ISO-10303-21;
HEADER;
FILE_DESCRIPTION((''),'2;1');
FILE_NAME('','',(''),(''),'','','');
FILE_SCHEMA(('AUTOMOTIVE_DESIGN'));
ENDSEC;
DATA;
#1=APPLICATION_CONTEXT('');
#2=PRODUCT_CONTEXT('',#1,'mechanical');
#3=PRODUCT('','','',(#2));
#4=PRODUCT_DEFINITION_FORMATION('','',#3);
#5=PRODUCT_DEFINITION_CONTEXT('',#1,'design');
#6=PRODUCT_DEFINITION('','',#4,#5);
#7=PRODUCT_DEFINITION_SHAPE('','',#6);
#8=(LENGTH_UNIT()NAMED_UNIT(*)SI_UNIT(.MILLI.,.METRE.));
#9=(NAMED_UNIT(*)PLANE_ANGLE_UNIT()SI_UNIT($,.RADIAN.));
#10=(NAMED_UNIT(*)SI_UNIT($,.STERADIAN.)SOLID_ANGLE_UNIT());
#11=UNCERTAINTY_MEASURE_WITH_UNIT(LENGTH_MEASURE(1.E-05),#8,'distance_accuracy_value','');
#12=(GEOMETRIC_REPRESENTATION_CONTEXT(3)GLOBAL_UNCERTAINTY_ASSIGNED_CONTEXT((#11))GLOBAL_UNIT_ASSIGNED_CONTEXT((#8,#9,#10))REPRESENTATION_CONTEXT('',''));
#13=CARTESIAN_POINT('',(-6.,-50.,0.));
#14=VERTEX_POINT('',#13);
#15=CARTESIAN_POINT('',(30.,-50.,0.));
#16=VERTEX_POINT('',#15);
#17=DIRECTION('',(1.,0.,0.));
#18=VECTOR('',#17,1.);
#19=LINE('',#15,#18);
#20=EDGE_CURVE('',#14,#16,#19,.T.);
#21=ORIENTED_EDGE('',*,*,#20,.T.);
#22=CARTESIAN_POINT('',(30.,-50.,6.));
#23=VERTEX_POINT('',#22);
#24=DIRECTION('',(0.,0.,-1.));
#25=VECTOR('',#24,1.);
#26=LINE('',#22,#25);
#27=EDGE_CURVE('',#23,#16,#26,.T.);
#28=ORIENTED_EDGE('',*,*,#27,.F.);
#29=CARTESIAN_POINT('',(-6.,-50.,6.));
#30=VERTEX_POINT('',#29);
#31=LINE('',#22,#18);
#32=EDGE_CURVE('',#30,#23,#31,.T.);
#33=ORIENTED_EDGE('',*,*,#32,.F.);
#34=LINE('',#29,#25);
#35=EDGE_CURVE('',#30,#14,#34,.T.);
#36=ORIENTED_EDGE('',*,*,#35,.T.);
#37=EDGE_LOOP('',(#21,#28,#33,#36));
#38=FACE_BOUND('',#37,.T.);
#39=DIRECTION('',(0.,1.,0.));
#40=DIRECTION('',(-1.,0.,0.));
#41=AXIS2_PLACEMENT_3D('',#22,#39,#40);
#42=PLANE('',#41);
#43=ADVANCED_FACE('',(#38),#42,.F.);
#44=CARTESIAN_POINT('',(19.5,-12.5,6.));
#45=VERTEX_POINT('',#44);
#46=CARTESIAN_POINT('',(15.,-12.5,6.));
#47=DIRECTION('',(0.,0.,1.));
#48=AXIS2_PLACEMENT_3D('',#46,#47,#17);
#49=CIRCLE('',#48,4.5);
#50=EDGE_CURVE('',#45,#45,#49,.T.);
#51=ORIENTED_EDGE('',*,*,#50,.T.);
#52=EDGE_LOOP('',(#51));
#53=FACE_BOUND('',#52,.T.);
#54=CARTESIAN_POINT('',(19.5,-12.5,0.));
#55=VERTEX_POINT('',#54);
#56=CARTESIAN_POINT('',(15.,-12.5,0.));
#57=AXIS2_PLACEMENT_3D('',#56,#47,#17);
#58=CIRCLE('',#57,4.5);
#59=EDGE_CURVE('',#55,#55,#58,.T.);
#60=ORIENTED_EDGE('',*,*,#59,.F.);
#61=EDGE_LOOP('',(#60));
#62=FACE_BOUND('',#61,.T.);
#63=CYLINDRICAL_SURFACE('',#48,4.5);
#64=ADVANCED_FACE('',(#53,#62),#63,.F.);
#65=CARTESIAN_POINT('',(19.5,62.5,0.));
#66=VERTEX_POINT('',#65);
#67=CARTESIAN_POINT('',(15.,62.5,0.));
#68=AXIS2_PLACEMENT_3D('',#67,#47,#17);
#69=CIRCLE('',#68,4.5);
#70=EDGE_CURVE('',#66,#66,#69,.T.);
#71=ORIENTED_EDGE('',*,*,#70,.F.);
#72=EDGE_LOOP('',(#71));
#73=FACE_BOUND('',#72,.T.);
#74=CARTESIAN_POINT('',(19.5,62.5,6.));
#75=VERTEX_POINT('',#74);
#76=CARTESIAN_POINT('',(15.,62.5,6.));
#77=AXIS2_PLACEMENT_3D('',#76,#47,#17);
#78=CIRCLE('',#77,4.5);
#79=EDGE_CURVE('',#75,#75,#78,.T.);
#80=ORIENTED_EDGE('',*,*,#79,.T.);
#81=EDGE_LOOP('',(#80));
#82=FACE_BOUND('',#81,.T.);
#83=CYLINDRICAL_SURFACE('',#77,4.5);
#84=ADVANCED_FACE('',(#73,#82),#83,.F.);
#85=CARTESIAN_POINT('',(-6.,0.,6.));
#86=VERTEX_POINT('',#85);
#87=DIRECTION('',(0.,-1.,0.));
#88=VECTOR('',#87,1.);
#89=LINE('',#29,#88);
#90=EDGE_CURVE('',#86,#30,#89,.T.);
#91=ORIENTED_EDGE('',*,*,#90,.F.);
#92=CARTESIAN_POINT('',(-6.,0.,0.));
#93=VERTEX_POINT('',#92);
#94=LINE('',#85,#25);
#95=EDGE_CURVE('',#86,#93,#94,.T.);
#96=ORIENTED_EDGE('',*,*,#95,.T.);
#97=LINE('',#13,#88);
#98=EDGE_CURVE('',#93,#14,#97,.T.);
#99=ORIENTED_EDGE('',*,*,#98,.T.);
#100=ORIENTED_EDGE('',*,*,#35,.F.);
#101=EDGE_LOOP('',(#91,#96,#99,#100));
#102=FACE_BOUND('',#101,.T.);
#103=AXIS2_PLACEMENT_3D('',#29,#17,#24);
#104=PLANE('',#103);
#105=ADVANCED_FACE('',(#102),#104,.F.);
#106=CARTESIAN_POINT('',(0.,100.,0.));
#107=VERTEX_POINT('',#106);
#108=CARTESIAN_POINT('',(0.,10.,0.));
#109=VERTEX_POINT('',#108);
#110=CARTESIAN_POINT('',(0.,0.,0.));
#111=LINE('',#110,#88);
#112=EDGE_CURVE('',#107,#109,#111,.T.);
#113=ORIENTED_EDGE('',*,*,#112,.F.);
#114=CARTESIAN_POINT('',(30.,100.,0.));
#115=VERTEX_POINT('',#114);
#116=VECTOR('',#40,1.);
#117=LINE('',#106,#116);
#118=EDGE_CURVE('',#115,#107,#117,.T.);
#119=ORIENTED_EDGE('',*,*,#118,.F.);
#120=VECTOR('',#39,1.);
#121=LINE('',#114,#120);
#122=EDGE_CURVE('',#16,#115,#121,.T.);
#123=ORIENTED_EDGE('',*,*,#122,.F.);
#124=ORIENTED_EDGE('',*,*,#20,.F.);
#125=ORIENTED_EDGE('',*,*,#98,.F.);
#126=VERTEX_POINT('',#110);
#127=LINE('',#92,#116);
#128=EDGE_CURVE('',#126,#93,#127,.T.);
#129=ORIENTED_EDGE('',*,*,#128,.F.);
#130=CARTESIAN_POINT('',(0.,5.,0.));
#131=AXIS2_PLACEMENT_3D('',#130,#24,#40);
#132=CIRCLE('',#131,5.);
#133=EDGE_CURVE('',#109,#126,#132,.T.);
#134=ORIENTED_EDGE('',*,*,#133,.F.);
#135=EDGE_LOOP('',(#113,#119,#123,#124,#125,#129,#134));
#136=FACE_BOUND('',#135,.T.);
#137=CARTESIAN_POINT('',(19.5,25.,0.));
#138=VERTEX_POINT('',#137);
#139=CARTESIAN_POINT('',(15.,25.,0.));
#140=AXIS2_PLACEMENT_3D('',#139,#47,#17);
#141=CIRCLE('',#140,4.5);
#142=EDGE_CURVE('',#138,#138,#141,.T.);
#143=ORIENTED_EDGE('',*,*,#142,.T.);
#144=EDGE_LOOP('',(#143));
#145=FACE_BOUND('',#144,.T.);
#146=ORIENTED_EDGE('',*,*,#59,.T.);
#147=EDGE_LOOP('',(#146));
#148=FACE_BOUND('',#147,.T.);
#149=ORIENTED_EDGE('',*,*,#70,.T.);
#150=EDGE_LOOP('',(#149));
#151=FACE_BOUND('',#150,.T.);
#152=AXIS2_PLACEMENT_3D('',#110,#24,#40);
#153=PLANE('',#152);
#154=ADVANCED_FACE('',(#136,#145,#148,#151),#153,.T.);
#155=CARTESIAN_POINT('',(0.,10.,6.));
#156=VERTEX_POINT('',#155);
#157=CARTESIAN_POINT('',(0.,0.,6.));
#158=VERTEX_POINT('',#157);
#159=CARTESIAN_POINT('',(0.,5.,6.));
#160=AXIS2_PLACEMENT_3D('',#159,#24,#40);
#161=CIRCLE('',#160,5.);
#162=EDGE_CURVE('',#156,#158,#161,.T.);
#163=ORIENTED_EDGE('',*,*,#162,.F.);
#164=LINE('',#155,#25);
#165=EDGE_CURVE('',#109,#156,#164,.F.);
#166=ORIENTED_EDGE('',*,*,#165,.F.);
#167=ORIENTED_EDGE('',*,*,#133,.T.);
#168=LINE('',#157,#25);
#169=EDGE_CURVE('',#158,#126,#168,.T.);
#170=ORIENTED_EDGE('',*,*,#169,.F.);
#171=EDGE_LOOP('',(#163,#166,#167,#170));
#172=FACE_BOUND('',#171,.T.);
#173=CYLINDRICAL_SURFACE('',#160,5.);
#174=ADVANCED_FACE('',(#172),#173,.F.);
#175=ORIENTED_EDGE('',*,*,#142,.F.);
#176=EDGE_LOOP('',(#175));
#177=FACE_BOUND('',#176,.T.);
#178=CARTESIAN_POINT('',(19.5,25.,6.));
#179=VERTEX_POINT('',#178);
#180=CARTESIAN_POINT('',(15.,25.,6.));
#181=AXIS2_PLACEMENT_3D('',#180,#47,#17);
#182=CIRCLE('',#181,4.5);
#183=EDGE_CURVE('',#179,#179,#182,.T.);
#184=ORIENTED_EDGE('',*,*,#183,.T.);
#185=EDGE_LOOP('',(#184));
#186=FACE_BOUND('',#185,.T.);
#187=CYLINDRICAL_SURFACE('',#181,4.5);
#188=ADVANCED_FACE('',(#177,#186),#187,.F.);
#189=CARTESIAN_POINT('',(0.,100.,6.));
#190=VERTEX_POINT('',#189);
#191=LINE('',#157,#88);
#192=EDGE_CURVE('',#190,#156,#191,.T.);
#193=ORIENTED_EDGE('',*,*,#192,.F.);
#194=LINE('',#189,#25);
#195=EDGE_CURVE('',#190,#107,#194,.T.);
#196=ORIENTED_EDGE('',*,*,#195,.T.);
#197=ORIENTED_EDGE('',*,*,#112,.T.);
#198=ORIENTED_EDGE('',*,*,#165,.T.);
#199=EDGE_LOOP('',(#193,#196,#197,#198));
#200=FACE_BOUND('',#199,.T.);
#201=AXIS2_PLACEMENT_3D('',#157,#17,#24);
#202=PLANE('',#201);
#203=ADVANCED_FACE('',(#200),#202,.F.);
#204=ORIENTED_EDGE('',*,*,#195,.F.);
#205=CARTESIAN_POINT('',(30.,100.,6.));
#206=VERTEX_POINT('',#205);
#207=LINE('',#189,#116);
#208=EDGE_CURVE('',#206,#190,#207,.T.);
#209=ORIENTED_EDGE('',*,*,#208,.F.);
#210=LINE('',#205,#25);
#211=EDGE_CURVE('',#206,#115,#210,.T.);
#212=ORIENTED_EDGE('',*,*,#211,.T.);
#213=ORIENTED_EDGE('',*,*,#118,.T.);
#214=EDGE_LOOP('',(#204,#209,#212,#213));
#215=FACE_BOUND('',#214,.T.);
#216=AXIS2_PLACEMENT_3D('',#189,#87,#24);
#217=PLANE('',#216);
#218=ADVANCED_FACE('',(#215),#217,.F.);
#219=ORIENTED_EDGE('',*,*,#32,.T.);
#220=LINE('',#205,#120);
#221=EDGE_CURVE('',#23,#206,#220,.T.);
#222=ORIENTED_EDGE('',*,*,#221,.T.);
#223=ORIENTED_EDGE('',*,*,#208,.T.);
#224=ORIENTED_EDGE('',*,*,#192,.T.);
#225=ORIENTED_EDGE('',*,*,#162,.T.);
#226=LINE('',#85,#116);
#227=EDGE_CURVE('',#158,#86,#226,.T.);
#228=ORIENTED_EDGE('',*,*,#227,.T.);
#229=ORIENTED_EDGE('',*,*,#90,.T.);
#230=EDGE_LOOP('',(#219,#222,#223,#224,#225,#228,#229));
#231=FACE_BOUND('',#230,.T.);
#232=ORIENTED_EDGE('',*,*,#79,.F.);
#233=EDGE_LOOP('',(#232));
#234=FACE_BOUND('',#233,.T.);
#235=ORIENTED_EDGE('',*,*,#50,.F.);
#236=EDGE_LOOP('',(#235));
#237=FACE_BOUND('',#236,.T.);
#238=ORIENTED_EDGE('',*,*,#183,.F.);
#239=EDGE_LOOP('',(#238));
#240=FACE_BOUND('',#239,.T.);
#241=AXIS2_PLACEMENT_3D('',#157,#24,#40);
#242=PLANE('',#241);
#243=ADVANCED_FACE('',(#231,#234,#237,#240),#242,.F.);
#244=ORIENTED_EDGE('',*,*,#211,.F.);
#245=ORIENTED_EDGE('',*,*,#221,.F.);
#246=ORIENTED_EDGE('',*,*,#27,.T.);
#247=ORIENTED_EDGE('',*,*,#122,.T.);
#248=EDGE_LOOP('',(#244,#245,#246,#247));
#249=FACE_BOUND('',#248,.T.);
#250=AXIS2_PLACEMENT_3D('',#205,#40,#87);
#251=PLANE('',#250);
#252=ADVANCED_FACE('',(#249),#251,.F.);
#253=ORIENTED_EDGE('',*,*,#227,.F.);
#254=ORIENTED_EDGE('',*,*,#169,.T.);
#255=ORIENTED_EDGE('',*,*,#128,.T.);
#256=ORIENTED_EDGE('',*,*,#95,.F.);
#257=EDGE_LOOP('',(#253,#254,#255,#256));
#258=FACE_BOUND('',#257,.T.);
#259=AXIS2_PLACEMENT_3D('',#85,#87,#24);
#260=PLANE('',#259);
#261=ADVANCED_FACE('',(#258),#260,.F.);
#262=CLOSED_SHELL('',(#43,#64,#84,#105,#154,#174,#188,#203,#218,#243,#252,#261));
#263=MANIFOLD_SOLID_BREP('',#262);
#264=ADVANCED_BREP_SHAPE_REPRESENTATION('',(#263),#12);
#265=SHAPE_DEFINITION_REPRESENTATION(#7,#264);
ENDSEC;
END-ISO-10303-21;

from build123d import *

# Parameters (mm, degrees)
BOSS_EXTRUDE1_DEPTH  = 6
M8_CLEARANCE_HOLE1_D = 9
SKETCH5_R            = 5
CUT_EXTRUDE1_DEPTH   = 105.575331699


with BuildPart() as part:
    # Sketch1 → Boss-Extrude1 (new body)
    with BuildSketch(Plane.XY):
        Polygon((0, 100), (30, 100), (30, -50), (-6, -50), (-6, 0), (0, 0), align=None)
    extrude(amount=BOSS_EXTRUDE1_DEPTH)

    # M8 Clearance Hole1 (through all)
    with Locations(Plane.XY.offset(6)):
        with Locations((15, 62.5), (15, 25), (15, -12.5)):
            Hole(M8_CLEARANCE_HOLE1_D / 2)

    # Sketch5 → Cut-Extrude1 (cut, through all)
    with BuildSketch(Plane(origin=(0, 0, 0), x_dir=(-1, 0, 0), z_dir=(0, 0, -1))):
        with Locations((0, 5)):
            Circle(SKETCH5_R)
    extrude(amount=-CUT_EXTRUDE1_DEPTH, mode=Mode.SUBTRACT)


solid = part.part
